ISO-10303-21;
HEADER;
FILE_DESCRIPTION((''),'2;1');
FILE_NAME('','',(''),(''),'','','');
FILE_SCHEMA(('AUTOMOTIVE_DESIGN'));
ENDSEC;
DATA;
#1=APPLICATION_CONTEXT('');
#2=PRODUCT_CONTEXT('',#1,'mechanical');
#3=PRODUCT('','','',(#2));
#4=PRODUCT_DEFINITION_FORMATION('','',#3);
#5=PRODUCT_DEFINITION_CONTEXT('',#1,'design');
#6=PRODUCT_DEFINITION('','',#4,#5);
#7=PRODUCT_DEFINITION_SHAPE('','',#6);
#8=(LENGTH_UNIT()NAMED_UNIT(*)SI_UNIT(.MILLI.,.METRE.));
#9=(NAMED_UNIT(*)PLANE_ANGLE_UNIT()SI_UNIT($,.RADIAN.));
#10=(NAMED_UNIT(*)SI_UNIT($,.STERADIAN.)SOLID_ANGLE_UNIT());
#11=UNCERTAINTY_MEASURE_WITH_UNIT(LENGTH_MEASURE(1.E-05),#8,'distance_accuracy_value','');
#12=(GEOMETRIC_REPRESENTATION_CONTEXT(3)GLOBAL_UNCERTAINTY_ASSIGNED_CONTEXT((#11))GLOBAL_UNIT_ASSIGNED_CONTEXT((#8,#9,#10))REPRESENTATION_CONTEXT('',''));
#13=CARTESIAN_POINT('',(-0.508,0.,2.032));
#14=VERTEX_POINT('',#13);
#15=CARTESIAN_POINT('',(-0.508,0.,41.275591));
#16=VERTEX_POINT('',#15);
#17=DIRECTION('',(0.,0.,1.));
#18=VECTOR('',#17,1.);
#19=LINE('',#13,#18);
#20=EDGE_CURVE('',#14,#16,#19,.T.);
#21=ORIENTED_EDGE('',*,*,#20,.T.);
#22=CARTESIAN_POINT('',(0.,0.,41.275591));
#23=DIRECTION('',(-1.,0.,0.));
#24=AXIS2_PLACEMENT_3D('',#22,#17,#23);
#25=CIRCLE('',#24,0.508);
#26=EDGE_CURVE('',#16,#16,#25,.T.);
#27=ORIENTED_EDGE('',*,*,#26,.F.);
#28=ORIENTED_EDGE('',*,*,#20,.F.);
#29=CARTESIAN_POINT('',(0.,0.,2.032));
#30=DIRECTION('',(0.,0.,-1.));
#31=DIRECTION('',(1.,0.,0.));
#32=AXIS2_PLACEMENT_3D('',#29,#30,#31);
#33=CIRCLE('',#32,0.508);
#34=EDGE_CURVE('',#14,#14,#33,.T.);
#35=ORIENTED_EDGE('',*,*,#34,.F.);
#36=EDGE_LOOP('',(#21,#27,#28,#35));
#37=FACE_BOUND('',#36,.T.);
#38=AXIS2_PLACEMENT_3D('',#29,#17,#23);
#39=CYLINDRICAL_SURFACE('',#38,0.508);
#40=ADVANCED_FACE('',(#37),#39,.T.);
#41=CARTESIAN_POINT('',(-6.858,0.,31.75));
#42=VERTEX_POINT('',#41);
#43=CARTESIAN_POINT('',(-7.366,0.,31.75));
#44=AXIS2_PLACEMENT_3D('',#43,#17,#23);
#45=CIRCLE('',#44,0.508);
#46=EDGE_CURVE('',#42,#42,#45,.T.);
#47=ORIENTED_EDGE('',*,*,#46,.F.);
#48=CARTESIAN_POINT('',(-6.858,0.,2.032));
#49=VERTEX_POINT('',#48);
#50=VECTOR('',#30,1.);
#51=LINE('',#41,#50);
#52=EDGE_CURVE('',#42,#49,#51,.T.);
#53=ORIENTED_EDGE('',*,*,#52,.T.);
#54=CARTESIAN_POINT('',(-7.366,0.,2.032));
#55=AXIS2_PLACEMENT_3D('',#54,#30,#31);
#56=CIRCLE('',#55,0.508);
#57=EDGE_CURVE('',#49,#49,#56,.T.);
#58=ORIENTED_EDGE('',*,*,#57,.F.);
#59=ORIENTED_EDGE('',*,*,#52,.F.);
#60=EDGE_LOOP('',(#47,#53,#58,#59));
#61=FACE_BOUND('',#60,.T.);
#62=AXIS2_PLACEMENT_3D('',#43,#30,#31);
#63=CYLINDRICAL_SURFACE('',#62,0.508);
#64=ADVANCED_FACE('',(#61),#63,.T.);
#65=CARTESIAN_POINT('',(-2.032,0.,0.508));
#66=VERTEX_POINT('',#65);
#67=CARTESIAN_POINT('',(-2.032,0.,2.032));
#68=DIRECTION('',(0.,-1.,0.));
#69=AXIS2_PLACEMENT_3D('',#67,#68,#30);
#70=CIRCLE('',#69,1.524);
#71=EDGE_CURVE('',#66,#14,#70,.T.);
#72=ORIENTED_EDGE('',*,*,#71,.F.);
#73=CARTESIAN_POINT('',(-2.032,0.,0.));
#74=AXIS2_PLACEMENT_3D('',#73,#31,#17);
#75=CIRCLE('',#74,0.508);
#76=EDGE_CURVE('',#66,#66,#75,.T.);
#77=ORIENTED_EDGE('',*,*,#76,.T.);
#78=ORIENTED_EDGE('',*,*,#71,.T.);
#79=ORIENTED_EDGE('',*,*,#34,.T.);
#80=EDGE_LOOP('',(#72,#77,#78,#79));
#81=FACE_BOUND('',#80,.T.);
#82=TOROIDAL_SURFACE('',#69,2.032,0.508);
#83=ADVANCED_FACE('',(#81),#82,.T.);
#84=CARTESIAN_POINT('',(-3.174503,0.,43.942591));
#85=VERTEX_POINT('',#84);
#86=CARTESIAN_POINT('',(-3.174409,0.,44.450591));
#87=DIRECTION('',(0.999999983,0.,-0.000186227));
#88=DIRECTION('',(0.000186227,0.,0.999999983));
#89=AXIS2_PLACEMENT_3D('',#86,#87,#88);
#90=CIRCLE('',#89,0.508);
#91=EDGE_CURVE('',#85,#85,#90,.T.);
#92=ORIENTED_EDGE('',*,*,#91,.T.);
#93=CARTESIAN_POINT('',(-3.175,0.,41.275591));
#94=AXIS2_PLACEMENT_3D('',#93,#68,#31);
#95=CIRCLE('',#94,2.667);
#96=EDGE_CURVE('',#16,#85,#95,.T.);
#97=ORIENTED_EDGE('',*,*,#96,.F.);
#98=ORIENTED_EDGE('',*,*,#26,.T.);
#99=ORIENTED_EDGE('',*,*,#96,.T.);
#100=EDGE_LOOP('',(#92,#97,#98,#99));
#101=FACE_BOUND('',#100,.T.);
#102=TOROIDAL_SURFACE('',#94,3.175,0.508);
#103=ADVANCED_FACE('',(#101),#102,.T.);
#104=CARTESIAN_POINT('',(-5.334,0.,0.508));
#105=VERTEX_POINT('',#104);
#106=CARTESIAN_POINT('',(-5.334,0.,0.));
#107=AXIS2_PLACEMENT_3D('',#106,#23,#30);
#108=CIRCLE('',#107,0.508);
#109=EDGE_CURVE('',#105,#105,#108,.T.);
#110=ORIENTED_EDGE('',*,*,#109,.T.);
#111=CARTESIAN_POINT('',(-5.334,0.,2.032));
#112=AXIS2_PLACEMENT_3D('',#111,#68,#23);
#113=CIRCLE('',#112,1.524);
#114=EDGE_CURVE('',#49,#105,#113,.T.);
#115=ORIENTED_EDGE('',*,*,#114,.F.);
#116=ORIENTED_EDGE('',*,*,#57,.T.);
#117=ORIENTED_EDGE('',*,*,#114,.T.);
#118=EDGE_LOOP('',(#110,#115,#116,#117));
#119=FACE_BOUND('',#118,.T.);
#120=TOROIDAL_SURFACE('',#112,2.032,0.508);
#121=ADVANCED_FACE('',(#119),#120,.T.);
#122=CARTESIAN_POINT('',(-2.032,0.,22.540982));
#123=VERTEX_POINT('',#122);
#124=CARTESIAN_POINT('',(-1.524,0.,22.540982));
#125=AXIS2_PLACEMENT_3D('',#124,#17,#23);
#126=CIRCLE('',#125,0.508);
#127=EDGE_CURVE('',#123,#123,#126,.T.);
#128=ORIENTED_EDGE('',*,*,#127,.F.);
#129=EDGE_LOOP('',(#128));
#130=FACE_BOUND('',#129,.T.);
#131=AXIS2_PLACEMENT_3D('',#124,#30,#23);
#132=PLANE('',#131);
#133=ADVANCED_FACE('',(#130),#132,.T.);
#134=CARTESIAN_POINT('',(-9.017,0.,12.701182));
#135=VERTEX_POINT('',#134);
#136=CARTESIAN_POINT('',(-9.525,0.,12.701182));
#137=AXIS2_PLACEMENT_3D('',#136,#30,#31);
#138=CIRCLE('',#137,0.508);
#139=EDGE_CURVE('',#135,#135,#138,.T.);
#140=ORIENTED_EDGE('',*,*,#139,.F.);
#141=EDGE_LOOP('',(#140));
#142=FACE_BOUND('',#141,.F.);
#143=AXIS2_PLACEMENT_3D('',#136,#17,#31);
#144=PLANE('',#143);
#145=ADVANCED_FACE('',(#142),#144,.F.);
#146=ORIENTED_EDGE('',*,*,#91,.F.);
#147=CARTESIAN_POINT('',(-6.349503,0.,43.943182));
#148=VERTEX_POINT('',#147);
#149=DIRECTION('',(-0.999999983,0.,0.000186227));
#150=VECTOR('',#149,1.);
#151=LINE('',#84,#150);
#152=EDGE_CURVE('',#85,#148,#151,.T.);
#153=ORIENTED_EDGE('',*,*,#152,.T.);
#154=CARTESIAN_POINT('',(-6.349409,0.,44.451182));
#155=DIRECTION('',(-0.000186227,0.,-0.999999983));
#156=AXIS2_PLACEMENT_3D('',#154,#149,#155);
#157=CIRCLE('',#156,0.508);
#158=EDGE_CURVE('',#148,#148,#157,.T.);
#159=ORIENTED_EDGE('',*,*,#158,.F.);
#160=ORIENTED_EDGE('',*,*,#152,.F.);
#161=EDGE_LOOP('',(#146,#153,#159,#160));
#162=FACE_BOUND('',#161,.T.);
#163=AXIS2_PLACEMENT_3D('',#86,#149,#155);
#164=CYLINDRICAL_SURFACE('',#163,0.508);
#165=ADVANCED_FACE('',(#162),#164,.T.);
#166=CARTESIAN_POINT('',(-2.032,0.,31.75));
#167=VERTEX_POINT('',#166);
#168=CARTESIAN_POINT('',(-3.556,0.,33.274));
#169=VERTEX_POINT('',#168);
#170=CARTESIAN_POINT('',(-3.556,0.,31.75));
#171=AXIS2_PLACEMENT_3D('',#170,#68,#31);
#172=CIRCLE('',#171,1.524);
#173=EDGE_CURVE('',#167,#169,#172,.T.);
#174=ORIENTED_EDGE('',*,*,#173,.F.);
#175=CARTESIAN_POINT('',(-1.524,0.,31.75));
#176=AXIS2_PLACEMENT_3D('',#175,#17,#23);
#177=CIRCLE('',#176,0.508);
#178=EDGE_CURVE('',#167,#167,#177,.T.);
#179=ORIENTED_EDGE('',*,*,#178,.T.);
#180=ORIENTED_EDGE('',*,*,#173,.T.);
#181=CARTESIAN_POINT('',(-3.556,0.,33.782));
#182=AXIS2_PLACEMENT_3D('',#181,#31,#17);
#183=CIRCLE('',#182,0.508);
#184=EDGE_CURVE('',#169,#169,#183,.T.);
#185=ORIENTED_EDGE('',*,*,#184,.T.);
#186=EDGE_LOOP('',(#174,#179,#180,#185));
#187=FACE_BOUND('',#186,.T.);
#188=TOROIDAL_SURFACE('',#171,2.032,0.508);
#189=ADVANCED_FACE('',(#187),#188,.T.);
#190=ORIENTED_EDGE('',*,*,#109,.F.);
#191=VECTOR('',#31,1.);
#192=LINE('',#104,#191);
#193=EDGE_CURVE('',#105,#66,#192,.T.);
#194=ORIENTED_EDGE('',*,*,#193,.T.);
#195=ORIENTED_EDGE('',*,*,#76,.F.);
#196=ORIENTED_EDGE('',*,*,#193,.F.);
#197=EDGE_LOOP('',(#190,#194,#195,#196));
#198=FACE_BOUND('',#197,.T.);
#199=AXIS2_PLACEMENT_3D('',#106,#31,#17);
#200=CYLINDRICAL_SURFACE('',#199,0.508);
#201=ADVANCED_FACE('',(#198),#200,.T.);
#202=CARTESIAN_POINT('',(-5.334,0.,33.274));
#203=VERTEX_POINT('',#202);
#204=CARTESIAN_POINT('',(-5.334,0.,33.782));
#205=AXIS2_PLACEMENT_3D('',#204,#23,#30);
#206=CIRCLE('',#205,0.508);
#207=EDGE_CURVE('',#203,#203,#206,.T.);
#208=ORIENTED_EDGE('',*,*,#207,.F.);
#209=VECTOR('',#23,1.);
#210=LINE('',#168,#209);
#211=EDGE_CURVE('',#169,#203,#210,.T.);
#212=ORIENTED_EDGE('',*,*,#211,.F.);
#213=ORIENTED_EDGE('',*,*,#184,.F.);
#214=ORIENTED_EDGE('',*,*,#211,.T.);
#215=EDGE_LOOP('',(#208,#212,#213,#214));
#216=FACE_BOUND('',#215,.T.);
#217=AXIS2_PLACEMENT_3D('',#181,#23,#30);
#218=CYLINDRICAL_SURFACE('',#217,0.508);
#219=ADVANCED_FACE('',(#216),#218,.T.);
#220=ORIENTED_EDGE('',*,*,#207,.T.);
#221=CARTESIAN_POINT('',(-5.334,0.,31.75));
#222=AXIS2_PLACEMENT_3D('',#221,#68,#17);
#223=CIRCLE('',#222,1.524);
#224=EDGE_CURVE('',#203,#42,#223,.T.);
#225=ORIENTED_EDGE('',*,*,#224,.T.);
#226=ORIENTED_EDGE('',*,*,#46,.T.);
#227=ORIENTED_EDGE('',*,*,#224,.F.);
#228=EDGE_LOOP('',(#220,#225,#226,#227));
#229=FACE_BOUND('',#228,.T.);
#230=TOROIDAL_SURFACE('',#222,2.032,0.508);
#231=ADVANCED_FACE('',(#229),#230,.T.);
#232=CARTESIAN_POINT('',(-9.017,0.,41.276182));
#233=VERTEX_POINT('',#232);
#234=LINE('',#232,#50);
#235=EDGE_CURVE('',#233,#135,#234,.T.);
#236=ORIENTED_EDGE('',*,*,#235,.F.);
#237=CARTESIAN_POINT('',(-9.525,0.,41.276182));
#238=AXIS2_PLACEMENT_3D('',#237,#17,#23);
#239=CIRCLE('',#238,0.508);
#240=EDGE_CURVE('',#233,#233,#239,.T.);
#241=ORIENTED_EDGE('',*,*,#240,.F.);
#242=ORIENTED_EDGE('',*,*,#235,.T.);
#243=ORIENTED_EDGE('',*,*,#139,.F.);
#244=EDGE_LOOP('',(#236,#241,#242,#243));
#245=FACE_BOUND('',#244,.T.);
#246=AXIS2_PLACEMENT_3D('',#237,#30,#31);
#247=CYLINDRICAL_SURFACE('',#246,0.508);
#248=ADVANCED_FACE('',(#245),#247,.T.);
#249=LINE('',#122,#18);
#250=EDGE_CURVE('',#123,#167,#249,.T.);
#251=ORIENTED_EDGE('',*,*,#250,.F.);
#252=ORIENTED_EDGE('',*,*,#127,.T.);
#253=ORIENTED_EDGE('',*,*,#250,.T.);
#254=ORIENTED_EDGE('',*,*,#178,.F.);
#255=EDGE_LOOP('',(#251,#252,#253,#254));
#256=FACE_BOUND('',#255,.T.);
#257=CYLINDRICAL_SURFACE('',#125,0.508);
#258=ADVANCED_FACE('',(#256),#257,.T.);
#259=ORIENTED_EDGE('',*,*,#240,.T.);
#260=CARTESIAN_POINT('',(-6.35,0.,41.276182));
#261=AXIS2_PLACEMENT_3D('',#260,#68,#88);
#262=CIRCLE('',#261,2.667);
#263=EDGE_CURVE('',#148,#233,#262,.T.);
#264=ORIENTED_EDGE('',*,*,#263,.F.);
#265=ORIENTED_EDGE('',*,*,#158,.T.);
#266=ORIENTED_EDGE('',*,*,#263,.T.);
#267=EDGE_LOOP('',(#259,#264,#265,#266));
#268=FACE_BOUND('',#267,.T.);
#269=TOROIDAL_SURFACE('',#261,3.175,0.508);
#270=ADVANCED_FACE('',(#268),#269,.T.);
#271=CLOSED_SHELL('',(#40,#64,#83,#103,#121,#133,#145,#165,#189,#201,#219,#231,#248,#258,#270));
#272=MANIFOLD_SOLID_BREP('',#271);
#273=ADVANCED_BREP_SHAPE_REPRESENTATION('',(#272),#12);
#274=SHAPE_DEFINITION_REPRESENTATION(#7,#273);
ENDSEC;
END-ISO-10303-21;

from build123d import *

# Parameters (mm, degrees)
F2_R = 0.508


with BuildPart() as f3:
    # F3: sweep along a path in F0
    with BuildLine(Plane.XZ) as f3_path:
        Line((-1.524, 22.540981507), (-1.524, 30.4797520154))
        Line((-1.524, 30.4797520154), (-1.524, 31.75))
        ThreePointArc((-1.524, 31.75), (-2.1191590206, 33.1868409794), (-3.556, 33.782))
        Line((-3.556, 33.782), (-5.334, 33.782))
        ThreePointArc((-5.334, 33.782), (-6.7708409794, 33.1868409794), (-7.366, 31.75))
        Line((-7.366, 31.75), (-7.366, 2.032))
        ThreePointArc((-7.366, 2.032), (-6.7708409794, 0.5951590206), (-5.334, 0))
        Line((-5.334, 0), (-2.032, 0))
        ThreePointArc((-2.032, 0), (-0.5951590206, 0.5951590206), (0, 2.032))
        Line((0, 2.032), (0, 38.1011824323))
        Line((0, 38.1011824323), (0, 41.2755912162))
        ThreePointArc((0, 41.2755912162), (-0.9297269335, 43.5204461908), (-3.1744087288, 44.4505911611))
        Line((-3.1744087288, 44.4505911611), (-6.3494085636, 44.4511824323))
        ThreePointArc((-6.3494085636, 44.4511824323), (-8.5948548094, 43.5214555538), (-9.5249998348, 41.2761824874))
        Line((-9.5249998348, 41.2761824874), (-9.5249998348, 12.7011824874))
    # F2 (on plane+point) → F3 (sweep)
    with BuildSketch(Plane.XY.offset(12.7011824874)):
        with Locations((-9.5249998348, 0)):
            Circle(F2_R)
    sweep(path=f3_path.line)


solid = f3.part
